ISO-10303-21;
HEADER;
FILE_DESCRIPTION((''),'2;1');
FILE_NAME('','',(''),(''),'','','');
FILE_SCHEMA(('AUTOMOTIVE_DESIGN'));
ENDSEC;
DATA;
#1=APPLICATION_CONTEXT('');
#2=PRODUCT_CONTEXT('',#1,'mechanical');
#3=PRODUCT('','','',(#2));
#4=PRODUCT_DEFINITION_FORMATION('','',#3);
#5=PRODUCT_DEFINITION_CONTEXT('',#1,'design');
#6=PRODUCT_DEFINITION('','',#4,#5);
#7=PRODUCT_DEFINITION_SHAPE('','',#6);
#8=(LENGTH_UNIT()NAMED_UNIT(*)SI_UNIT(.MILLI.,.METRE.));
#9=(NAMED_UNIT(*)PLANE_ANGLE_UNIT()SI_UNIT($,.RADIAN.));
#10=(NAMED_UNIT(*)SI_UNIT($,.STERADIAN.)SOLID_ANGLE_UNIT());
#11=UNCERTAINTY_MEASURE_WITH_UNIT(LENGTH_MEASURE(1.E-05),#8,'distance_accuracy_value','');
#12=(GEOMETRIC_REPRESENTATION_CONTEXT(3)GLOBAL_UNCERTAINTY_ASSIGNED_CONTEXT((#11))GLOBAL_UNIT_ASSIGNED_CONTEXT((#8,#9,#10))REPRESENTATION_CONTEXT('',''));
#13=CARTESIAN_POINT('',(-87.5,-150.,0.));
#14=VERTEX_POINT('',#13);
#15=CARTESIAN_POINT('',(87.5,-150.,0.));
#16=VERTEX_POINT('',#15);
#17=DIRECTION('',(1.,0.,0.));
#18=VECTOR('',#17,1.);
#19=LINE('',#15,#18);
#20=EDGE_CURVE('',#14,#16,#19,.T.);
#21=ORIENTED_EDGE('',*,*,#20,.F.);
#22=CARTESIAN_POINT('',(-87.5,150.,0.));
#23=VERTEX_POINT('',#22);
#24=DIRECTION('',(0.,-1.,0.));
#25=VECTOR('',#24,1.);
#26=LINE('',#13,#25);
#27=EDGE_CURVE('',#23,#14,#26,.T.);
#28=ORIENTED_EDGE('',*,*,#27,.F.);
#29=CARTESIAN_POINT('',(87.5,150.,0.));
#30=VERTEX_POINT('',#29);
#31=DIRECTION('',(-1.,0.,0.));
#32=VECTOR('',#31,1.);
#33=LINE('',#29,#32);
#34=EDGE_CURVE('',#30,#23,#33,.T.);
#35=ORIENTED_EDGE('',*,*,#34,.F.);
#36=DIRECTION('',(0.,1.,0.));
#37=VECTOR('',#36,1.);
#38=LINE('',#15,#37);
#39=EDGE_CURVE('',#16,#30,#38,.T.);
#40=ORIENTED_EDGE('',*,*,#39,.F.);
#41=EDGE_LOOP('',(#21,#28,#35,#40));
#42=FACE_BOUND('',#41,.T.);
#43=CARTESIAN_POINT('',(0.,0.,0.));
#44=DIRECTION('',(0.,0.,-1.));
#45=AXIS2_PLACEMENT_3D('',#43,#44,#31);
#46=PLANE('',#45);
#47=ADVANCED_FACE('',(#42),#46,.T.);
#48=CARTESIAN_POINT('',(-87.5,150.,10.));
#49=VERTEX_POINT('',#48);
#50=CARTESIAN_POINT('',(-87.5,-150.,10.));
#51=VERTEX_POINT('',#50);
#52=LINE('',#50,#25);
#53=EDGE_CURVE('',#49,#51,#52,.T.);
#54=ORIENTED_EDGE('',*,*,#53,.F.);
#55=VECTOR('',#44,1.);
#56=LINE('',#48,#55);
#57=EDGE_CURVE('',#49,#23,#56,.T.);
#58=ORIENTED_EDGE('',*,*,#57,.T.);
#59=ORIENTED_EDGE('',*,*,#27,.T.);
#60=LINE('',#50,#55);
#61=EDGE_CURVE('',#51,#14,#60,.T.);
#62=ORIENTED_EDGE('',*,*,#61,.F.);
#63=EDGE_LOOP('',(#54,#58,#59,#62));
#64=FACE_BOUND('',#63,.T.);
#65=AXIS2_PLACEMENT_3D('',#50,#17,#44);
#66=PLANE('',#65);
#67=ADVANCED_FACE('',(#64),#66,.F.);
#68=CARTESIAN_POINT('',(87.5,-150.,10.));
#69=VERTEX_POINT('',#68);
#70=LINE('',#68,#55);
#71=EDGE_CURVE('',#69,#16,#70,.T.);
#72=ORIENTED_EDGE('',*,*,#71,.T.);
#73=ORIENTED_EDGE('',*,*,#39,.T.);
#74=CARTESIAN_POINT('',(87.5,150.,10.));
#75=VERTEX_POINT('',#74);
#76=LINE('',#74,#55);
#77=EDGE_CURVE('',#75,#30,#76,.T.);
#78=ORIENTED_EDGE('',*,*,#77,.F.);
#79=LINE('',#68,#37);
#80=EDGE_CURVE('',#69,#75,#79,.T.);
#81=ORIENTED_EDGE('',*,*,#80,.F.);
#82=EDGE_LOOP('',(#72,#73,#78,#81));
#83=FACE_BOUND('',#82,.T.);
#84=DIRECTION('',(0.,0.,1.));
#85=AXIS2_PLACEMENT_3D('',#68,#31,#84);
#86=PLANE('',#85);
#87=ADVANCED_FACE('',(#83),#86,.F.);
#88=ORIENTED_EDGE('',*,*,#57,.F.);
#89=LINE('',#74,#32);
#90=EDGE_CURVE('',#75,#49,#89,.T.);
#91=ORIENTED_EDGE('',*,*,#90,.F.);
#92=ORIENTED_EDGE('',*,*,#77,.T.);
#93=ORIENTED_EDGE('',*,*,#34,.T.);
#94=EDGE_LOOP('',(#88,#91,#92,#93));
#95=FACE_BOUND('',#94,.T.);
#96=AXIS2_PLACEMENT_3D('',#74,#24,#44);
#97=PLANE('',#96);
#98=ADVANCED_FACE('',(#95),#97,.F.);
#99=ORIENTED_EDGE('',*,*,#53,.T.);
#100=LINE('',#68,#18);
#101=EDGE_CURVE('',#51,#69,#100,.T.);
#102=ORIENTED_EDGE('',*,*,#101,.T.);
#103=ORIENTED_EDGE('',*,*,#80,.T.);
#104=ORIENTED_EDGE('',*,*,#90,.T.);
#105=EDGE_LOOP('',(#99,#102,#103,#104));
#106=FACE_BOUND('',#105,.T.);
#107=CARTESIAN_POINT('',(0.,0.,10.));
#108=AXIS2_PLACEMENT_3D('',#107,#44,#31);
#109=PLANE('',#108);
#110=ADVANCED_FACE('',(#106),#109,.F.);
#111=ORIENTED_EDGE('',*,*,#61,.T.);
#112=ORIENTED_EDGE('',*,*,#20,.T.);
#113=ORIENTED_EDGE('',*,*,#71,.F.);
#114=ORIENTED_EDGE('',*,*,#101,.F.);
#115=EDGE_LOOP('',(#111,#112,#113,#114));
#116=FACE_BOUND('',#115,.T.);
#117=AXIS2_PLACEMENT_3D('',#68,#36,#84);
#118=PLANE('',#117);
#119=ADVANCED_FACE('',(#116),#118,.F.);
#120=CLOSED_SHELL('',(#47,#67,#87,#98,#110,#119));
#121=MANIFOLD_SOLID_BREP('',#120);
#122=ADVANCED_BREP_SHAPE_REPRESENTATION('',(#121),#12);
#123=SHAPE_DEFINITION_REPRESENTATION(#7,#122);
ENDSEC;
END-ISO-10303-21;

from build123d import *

# Parameters (mm, degrees)
SKETCH1_W           = 300
SKETCH1_H           = 175
BOSS_EXTRUDE1_DEPTH = 10


with BuildPart() as part:
    # Sketch1 → Boss-Extrude1 (new body)
    with BuildSketch(Plane(origin=(0, 0, 0), x_dir=(0, 1, 0), z_dir=(0, 0, 1))):
        Rectangle(SKETCH1_W, SKETCH1_H)
    extrude(amount=BOSS_EXTRUDE1_DEPTH)


solid = part.part
